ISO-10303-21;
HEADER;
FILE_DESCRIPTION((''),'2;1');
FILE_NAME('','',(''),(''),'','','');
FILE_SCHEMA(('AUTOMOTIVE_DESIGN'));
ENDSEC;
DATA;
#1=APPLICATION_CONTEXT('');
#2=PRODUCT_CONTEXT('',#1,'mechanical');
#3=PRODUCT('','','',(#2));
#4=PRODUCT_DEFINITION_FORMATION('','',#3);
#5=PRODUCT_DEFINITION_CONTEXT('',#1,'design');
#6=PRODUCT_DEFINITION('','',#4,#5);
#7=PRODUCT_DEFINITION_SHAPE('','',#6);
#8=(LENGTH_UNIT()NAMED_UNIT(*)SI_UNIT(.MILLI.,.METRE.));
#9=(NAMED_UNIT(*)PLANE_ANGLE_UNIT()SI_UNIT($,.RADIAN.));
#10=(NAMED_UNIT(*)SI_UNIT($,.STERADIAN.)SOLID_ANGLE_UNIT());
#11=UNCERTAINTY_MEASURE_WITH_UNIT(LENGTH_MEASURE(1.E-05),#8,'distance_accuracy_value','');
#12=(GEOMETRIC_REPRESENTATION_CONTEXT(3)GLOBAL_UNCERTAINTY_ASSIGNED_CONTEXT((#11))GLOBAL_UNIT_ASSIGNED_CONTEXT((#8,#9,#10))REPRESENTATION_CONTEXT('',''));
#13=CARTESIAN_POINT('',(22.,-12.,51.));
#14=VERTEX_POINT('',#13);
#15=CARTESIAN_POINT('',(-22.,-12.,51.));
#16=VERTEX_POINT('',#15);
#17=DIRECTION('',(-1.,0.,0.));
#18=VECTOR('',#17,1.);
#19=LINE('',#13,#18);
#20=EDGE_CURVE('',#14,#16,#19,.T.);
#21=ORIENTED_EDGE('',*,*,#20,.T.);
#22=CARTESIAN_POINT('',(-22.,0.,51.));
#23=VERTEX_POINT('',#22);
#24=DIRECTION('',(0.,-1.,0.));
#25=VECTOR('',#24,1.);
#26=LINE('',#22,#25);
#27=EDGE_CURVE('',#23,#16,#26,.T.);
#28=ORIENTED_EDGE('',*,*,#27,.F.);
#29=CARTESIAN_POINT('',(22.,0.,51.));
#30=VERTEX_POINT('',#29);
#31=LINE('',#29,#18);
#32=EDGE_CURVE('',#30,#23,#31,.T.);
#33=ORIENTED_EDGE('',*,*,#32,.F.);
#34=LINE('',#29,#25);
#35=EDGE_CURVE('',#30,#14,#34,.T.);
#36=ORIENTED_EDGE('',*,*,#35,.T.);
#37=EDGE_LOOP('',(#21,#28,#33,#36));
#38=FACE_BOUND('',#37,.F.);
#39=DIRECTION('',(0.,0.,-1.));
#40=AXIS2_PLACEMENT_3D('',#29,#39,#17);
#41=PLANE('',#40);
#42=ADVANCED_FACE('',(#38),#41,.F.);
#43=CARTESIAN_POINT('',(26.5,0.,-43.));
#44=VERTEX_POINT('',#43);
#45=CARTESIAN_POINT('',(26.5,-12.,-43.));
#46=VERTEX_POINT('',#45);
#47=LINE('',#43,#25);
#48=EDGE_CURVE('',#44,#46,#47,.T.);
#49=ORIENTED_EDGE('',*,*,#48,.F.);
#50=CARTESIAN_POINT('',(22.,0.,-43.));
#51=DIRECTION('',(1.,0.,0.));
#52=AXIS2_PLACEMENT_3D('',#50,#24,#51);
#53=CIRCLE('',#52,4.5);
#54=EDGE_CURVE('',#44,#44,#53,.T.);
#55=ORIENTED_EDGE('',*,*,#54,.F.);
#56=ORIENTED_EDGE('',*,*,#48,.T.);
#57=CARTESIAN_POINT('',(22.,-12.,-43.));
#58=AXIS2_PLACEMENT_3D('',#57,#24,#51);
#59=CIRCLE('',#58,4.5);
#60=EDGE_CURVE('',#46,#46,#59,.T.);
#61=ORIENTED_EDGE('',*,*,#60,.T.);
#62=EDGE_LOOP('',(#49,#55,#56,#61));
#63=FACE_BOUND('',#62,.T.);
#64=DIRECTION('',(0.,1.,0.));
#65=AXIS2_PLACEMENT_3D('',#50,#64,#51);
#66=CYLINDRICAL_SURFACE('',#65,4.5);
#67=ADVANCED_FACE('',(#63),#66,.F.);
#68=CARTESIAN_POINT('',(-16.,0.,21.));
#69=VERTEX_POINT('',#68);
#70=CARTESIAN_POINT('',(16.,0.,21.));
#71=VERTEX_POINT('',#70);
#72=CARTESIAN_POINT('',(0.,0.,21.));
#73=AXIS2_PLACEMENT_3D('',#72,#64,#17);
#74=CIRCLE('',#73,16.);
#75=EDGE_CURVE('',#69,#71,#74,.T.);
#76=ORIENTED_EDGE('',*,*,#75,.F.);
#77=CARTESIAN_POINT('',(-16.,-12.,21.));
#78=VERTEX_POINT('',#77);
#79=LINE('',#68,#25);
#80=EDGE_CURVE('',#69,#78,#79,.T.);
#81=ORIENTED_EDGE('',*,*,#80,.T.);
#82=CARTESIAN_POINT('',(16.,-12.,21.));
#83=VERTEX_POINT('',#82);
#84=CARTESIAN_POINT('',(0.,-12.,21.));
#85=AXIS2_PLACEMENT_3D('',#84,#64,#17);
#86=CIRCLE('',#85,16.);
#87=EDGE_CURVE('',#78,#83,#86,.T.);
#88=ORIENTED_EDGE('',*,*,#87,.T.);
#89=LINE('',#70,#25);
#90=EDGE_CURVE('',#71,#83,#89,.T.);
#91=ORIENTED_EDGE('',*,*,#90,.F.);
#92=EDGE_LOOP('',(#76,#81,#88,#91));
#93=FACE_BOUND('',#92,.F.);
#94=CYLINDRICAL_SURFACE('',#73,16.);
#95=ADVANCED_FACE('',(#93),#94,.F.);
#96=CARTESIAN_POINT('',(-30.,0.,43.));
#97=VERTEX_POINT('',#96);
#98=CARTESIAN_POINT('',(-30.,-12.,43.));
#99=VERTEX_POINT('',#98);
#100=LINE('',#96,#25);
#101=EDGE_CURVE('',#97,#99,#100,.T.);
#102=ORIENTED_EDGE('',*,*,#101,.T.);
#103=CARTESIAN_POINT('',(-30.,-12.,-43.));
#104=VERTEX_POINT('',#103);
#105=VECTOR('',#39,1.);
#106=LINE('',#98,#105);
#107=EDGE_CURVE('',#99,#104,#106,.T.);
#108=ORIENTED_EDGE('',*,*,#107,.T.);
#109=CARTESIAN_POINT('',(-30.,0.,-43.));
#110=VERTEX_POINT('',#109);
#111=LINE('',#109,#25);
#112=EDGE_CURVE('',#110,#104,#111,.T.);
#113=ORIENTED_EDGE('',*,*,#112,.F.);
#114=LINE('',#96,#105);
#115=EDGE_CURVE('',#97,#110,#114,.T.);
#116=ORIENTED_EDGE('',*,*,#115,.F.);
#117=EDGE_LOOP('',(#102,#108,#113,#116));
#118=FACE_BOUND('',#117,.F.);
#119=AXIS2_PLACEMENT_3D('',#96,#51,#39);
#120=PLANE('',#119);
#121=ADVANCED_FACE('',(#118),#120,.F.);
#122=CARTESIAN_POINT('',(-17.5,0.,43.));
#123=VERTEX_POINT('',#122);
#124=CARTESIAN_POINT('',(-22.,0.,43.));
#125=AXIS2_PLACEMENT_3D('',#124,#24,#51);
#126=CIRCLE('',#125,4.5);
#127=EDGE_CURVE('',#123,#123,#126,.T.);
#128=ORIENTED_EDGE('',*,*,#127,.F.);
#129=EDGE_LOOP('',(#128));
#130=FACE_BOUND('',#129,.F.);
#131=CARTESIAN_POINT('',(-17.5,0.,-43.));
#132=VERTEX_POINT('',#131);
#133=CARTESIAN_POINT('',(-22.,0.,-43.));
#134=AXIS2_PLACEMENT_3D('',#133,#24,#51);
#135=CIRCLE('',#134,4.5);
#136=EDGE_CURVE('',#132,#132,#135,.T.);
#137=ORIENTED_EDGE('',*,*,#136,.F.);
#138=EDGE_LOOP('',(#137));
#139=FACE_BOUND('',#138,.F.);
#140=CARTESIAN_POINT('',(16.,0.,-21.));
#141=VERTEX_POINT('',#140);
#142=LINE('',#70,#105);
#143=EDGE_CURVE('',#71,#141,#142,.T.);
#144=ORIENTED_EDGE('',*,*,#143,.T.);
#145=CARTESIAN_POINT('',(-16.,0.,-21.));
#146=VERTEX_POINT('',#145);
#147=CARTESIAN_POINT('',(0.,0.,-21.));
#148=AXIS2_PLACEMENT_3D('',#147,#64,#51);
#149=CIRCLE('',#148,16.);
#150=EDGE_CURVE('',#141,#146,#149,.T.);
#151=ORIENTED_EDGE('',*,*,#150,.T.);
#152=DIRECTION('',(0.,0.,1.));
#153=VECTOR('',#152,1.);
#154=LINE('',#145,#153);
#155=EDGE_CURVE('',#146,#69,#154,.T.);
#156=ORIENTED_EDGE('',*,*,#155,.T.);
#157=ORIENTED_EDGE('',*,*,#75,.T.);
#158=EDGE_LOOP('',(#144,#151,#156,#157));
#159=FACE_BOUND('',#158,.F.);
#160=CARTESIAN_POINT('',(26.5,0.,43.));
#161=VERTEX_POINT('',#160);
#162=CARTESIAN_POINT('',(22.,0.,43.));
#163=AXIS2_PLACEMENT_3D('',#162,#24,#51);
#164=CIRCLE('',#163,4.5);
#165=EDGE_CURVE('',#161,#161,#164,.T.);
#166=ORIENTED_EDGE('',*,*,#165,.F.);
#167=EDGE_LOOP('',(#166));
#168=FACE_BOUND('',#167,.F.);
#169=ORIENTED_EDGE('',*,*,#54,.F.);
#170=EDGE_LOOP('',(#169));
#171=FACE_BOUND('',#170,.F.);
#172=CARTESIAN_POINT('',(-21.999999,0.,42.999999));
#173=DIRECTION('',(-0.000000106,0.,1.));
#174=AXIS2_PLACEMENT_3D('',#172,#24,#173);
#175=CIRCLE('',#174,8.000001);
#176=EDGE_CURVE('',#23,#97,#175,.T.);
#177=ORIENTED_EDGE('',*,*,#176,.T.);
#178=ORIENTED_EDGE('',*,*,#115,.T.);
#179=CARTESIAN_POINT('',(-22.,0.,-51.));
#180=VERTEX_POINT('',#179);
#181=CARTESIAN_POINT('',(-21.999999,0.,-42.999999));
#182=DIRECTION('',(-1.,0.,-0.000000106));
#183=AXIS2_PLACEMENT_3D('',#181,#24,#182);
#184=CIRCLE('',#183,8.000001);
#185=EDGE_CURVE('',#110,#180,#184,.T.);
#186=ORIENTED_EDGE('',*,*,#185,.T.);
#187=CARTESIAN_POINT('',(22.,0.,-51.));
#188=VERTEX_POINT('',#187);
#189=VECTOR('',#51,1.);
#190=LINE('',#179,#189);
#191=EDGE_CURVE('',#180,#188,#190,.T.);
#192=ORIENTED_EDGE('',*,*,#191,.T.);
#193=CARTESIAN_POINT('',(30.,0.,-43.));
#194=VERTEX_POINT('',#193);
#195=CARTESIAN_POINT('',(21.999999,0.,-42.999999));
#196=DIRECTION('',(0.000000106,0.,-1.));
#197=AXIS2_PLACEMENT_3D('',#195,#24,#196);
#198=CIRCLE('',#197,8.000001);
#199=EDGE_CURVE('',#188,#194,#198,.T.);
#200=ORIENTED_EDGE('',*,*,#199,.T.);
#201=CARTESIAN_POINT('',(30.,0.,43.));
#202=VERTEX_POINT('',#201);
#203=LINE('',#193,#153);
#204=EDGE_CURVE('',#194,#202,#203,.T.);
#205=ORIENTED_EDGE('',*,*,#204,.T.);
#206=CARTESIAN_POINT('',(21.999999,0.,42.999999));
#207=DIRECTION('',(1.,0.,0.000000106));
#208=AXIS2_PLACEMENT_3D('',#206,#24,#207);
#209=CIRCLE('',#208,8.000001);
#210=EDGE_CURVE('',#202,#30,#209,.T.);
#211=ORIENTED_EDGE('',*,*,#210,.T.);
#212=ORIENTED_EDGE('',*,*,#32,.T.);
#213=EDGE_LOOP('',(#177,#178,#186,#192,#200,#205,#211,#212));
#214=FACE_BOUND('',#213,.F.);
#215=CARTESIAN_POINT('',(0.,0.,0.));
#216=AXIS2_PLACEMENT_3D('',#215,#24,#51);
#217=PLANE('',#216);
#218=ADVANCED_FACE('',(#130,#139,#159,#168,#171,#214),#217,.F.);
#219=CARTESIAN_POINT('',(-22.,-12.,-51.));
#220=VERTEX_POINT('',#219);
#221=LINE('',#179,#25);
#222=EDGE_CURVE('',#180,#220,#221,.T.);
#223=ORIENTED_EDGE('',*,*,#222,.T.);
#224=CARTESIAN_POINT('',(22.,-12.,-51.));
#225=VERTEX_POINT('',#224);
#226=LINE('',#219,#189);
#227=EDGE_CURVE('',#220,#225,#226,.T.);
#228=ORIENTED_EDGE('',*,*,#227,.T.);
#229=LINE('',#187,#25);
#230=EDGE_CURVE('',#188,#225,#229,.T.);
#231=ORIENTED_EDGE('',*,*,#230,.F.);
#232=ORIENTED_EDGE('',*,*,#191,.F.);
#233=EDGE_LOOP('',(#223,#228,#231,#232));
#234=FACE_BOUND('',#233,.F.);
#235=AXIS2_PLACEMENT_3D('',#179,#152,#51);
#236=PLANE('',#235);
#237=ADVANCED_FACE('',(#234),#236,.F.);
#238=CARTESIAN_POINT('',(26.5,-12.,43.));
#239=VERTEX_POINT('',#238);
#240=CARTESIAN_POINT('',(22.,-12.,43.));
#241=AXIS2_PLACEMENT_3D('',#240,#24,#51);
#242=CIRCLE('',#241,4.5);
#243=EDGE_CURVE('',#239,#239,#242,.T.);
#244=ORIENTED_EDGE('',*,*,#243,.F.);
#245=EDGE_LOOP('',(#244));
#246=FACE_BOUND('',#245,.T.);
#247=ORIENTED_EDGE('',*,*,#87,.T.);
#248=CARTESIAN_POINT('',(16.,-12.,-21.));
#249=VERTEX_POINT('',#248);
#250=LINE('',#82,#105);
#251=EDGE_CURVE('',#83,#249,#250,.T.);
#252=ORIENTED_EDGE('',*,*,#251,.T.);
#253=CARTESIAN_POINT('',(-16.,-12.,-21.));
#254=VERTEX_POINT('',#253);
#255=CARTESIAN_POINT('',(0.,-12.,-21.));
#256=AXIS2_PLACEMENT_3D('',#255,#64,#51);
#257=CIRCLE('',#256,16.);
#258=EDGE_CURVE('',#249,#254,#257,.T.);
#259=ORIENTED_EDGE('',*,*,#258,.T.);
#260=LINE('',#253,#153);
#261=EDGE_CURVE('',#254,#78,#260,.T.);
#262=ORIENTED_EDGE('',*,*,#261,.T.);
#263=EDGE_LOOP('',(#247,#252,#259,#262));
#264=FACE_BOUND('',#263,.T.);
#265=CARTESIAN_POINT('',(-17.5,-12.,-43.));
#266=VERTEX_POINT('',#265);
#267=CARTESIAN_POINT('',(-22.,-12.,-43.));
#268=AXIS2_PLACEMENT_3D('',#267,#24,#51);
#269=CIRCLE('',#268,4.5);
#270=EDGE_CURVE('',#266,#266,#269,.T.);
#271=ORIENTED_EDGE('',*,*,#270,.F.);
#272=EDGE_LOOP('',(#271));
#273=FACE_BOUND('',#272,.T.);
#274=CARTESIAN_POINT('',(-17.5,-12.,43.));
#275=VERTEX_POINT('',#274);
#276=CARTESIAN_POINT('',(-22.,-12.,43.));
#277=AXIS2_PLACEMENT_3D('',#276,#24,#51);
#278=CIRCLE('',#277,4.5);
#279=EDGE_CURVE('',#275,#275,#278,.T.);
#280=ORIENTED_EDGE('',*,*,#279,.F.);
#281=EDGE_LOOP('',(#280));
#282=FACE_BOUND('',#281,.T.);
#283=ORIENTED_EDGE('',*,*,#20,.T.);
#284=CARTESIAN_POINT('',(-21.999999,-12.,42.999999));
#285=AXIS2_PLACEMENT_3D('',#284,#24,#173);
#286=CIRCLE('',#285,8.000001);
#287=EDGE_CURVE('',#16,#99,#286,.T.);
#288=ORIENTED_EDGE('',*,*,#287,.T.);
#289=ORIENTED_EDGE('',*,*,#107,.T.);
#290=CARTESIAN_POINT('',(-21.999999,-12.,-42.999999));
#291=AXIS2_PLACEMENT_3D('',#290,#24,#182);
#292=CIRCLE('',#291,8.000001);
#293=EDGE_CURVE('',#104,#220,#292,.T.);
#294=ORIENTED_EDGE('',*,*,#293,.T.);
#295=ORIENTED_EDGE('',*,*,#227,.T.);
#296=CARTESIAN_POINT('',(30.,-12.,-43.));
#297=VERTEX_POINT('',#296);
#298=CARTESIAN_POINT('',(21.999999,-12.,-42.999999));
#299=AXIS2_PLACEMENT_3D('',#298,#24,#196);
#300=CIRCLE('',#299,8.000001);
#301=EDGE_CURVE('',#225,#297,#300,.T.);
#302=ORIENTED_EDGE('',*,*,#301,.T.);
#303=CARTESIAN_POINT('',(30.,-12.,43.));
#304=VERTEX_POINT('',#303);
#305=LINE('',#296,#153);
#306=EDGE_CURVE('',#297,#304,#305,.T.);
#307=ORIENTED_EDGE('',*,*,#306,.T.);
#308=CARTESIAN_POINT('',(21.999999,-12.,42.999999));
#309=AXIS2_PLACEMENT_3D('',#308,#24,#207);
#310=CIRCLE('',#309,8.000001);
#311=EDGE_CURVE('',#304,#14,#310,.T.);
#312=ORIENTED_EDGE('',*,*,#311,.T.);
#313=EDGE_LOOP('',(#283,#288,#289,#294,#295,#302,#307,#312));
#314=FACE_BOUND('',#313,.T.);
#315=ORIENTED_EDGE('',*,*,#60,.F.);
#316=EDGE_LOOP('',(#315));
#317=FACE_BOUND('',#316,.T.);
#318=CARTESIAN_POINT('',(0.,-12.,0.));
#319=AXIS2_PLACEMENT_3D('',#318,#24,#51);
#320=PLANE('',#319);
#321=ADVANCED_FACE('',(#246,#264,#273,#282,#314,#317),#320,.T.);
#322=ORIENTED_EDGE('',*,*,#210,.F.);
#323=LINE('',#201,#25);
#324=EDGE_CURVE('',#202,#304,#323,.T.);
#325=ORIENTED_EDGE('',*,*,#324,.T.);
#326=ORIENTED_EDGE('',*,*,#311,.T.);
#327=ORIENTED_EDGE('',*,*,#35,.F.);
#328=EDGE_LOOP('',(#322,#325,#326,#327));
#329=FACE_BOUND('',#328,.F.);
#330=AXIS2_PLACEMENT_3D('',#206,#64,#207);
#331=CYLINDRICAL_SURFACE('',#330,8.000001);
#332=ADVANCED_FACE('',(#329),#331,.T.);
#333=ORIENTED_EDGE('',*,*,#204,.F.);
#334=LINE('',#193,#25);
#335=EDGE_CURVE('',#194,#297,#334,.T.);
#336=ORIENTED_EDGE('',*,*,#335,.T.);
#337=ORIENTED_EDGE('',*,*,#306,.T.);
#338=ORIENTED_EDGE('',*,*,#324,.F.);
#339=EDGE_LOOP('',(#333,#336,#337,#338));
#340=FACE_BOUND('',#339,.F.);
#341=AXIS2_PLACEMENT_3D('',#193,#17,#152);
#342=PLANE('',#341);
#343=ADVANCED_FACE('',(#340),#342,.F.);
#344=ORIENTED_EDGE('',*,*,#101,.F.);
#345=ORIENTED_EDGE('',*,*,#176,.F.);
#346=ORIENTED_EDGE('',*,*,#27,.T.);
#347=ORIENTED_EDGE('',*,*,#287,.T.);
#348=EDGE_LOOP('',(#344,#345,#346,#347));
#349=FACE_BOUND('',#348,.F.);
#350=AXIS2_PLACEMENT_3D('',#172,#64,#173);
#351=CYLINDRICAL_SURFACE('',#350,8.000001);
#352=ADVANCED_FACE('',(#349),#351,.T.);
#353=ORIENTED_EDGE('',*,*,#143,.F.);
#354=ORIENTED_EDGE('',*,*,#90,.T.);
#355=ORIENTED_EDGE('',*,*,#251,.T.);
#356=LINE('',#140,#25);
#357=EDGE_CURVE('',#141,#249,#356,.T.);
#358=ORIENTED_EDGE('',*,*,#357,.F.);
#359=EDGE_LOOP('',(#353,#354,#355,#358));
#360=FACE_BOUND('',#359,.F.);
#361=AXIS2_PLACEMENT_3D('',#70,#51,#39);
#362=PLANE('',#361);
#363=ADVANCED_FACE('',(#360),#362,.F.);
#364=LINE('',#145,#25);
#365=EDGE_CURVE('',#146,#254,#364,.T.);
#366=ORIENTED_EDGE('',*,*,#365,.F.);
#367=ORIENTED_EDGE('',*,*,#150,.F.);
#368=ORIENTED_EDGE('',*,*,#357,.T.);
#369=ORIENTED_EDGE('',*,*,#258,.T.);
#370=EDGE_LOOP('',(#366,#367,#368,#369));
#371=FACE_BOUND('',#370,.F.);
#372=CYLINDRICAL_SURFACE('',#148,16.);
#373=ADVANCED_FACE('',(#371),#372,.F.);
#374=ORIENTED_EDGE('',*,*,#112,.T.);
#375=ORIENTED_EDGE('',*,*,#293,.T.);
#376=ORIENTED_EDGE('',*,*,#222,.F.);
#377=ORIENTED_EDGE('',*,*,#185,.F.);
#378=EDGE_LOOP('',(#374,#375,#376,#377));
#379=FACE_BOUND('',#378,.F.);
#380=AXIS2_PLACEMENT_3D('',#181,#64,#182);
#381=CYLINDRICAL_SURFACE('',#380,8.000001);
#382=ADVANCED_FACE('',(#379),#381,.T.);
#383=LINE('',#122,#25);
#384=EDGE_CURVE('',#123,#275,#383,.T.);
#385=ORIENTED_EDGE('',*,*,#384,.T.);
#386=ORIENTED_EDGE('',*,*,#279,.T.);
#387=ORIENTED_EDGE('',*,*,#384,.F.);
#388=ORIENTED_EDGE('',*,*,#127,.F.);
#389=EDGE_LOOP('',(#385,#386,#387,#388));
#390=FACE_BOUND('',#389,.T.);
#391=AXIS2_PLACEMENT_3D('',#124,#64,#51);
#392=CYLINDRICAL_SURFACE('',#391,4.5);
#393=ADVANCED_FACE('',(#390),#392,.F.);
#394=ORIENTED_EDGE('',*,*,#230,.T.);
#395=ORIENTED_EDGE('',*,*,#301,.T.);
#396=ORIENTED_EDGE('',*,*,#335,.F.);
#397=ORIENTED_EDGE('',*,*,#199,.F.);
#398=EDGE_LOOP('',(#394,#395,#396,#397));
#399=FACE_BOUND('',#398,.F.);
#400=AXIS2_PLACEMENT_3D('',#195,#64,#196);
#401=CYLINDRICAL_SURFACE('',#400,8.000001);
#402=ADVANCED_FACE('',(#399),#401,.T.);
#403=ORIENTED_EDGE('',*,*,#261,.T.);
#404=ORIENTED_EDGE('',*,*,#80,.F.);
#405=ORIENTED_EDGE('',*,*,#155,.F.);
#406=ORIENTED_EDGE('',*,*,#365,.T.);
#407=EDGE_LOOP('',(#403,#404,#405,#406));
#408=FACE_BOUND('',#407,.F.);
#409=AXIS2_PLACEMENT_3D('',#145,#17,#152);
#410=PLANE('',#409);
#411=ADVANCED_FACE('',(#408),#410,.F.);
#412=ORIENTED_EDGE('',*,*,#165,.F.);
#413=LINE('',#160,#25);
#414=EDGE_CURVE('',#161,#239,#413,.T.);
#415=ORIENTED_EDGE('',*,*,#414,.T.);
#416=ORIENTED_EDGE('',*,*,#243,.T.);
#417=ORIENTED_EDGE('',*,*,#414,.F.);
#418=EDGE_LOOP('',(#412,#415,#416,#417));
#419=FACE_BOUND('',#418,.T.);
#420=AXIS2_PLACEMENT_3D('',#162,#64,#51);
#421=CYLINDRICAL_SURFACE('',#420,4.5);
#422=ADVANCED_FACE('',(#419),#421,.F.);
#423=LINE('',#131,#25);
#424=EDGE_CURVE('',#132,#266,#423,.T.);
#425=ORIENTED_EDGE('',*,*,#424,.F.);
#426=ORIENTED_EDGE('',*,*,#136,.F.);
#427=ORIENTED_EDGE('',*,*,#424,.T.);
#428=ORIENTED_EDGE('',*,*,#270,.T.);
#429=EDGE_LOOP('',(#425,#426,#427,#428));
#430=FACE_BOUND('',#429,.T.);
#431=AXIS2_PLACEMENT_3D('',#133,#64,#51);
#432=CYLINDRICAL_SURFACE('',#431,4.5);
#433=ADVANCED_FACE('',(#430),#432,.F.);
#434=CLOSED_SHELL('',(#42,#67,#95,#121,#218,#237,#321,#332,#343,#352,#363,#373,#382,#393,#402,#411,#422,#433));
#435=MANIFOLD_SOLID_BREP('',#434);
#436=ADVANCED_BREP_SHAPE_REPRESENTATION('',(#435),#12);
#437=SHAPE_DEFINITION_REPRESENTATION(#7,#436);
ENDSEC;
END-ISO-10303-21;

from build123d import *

# Parameters (mm, degrees)
F0_R     = 4.5
F1_DEPTH = 12


with BuildPart() as f1:
    # F0 (on Front) → F1 (new body)
    with BuildSketch(Plane.XZ):
        with BuildLine():
            Line((22, 51), (-22, 51))
            ThreePointArc((-22, 51), (-27.656854, 48.656854), (-30, 43))
            Line((-30, 43), (-30, -43))
            ThreePointArc((-30, -43), (-27.656854, -48.656854), (-22, -51))
            Line((-22, -51), (22, -51))
            ThreePointArc((22, -51), (27.656854, -48.656854), (30, -43))
            Line((30, -43), (30, 43))
            ThreePointArc((30, 43), (27.656854, 48.656854), (22, 51))
        make_face()
        with Locations((-22, -43)):
            Circle(F0_R, mode=Mode.SUBTRACT)
        with Locations((22, -43)):
            Circle(F0_R, mode=Mode.SUBTRACT)
        with Locations((-22, 43)):
            Circle(F0_R, mode=Mode.SUBTRACT)
        with BuildLine():
            ThreePointArc((-16, 21), (0, 37), (16, 21))
            Line((16, 21), (16, -21))
            ThreePointArc((16, -21), (0, -37), (-16, -21))
            Line((-16, -21), (-16, 21))
        make_face(mode=Mode.SUBTRACT)
        with Locations((22, 43)):
            Circle(F0_R, mode=Mode.SUBTRACT)
    extrude(amount=F1_DEPTH)


solid = f1.part
